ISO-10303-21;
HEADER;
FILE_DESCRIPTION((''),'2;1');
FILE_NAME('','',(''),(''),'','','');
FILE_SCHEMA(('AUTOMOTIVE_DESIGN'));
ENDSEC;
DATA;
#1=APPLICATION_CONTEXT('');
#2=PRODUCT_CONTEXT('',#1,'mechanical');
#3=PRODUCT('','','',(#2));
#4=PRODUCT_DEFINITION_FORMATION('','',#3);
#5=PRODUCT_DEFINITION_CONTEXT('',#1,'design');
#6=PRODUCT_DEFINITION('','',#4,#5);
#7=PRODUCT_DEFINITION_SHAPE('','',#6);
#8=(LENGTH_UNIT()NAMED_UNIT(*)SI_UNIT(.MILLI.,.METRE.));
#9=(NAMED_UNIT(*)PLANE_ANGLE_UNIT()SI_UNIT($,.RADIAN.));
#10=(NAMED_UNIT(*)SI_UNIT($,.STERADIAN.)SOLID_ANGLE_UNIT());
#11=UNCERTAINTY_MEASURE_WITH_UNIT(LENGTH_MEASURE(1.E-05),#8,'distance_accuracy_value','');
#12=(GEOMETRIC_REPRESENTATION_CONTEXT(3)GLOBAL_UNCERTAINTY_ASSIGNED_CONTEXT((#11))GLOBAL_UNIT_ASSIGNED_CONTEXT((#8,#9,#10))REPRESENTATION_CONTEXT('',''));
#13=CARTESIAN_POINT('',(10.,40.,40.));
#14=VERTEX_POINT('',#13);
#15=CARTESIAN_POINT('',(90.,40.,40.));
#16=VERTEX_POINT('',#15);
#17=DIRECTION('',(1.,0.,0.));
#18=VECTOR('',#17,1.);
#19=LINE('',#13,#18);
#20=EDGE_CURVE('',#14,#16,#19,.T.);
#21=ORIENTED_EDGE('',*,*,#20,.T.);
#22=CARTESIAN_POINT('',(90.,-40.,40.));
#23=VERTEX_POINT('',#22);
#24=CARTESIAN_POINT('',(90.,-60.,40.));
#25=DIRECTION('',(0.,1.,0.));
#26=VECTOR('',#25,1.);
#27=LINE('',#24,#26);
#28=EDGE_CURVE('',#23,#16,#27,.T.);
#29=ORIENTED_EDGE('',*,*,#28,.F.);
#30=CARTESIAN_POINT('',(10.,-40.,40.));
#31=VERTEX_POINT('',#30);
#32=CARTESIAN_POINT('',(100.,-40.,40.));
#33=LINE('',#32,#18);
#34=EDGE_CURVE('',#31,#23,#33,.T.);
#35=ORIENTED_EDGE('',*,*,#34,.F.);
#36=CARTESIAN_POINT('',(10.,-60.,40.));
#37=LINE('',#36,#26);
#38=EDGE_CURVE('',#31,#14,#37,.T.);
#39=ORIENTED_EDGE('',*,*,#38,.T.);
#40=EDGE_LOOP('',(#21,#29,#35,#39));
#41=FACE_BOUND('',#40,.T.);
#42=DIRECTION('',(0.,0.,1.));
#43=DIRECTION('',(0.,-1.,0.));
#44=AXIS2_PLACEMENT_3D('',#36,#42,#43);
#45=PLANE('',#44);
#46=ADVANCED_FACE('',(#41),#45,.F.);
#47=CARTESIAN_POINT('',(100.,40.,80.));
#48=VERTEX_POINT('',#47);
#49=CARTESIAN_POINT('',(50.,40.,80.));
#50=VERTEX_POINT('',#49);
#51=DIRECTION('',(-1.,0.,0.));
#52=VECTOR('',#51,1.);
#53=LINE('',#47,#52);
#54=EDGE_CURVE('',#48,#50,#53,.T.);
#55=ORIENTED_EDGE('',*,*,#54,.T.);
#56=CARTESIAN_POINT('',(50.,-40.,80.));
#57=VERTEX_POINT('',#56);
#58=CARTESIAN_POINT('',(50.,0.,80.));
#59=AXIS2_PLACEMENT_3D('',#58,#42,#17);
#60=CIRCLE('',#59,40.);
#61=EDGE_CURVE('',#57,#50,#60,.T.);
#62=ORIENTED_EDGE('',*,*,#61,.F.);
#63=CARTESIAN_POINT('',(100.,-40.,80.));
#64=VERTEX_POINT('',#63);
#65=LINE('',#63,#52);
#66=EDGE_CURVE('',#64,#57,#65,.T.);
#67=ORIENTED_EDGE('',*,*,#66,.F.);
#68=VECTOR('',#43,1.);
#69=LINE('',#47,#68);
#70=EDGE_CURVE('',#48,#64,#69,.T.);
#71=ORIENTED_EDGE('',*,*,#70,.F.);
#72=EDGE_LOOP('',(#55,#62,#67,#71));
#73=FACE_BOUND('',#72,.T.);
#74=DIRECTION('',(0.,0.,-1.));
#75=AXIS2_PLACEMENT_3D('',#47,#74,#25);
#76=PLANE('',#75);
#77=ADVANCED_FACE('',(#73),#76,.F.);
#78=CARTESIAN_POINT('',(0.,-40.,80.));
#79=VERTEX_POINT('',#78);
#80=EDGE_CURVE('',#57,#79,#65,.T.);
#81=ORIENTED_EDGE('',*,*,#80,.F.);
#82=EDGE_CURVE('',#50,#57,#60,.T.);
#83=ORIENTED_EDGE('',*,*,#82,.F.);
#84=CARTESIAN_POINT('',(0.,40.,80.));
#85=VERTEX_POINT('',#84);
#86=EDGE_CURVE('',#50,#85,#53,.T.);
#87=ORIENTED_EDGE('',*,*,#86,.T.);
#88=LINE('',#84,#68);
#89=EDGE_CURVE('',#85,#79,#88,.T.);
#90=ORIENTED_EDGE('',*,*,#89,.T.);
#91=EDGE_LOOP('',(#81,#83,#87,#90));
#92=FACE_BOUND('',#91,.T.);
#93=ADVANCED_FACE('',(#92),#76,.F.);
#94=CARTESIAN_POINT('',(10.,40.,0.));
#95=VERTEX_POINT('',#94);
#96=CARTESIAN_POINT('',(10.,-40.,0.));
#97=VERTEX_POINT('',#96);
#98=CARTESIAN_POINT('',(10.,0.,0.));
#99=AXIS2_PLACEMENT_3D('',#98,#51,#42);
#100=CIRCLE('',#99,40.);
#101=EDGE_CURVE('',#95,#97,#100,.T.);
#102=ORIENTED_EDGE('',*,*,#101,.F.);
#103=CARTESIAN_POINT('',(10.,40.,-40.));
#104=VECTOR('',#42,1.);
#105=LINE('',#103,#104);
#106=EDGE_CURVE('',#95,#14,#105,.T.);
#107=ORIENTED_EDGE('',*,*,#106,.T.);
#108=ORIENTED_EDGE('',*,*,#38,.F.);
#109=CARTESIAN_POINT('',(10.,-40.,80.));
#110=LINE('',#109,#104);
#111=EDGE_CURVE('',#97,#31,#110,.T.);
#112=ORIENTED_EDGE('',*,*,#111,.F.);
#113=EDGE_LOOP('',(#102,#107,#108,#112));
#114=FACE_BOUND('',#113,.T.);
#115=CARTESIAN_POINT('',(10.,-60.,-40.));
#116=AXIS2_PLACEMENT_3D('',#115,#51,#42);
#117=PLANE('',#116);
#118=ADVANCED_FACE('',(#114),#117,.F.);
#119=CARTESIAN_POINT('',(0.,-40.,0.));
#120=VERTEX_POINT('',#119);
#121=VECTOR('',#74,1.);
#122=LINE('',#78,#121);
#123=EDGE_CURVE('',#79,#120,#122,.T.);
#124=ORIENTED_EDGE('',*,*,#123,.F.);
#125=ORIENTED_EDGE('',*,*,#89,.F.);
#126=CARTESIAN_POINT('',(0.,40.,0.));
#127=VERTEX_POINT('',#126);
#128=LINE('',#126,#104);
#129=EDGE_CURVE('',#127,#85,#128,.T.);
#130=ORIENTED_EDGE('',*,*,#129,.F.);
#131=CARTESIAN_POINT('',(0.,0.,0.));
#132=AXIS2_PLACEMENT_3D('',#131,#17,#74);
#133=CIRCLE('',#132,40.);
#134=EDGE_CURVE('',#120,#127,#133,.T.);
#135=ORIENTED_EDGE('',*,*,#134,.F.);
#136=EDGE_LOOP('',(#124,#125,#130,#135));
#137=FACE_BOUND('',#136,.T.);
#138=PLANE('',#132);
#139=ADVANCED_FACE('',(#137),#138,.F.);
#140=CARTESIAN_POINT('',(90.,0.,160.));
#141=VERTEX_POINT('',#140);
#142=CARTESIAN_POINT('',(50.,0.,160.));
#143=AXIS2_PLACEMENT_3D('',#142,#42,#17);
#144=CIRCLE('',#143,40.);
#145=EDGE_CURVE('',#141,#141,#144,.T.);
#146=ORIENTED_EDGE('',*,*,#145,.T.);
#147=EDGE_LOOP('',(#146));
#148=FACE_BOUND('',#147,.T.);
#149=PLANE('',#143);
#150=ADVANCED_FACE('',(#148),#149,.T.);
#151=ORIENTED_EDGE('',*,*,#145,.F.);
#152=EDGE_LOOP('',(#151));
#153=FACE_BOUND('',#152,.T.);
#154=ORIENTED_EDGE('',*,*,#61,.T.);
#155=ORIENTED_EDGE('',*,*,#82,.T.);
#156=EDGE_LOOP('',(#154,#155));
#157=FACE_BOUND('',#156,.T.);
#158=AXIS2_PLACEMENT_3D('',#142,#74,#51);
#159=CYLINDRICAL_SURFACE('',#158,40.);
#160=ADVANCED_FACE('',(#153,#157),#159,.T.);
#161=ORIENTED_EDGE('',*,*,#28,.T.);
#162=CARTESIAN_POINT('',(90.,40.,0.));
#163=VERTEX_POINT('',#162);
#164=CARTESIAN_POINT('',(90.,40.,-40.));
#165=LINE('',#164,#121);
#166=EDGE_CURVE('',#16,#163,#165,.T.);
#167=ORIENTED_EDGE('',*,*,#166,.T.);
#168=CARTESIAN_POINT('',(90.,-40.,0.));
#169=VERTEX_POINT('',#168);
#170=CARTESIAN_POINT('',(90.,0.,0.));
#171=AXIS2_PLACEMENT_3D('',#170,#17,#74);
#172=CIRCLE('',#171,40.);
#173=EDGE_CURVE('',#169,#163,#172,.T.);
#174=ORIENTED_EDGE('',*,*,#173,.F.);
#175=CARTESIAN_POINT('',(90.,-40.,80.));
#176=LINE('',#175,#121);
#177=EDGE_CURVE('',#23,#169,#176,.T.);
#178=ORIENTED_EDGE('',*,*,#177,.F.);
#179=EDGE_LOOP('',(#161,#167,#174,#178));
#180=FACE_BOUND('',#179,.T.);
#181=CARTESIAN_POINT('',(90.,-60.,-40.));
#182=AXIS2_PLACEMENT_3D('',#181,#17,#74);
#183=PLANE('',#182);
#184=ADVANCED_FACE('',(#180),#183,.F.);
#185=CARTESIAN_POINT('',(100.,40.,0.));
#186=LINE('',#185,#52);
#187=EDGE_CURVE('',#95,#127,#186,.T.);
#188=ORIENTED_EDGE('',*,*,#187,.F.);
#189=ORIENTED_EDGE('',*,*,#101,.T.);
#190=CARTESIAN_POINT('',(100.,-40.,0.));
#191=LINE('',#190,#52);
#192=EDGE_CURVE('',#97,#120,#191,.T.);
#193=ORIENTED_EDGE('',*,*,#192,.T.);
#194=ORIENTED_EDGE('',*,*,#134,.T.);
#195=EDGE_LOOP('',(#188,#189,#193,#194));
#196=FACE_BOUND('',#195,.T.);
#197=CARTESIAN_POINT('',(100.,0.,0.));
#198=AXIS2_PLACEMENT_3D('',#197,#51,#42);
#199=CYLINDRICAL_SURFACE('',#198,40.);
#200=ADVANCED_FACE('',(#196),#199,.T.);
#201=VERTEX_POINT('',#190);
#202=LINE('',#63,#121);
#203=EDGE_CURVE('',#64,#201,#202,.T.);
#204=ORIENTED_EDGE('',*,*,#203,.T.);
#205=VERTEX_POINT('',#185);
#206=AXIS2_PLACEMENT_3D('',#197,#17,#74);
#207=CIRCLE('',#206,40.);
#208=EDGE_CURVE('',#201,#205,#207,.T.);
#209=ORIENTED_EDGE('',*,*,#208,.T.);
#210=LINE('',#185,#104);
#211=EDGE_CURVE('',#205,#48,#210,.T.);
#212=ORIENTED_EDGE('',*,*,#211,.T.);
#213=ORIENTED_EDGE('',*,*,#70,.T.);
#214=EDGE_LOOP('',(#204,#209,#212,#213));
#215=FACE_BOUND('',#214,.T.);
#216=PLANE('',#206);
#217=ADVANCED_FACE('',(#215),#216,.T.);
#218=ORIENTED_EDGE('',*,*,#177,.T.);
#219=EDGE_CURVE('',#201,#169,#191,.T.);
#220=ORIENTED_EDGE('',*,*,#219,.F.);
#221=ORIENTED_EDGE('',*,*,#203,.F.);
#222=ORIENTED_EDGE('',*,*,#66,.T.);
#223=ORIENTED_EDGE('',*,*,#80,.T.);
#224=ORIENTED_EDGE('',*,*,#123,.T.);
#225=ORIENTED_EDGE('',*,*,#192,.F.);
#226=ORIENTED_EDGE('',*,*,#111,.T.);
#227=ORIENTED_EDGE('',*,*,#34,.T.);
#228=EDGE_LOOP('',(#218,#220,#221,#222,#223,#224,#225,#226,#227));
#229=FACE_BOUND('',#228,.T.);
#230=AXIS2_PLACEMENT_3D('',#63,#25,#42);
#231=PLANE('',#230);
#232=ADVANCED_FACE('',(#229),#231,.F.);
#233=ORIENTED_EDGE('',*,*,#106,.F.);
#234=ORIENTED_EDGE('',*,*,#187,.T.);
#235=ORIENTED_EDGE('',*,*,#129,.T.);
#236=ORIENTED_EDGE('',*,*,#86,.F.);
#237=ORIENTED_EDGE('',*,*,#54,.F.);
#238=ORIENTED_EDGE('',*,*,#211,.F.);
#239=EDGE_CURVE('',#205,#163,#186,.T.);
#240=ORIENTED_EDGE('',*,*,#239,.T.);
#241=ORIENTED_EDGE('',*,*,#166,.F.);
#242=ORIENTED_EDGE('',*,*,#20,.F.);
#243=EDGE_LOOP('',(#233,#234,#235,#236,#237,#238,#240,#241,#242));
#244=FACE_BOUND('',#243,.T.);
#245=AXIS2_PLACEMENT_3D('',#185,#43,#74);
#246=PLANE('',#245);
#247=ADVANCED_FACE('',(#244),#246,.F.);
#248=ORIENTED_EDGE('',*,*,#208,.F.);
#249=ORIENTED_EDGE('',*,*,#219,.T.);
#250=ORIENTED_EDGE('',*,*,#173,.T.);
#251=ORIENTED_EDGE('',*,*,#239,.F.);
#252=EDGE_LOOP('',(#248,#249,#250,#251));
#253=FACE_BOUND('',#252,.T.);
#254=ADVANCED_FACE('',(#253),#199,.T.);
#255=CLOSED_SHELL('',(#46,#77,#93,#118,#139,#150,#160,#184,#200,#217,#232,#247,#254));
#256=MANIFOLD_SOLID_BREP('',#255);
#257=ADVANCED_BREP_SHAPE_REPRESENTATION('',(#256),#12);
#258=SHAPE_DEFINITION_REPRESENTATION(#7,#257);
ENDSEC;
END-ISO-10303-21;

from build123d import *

# Parameters (mm, degrees)
BOSS_EXTRUDE1_DEPTH = 100
SKETCH2_W           = 80
SKETCH2_H           = 80
CUT_EXTRUDE1_DEPTH  = 100
SKETCH3_R           = 40
BOSS_EXTRUDE2_DEPTH = 80


with BuildPart() as part:
    # Sketch1 → Boss-Extrude1 (new body)
    with BuildSketch(Plane(origin=(0, 0, 0), x_dir=(0, 0, -1), z_dir=(1, 0, 0))):
        with BuildLine():
            Line((0, 40), (-80, 40))
            Line((-80, 40), (-80, -40))
            Line((-80, -40), (0, -40))
            ThreePointArc((0, -40), (40, 0), (0, 40))
        make_face()
    extrude(amount=BOSS_EXTRUDE1_DEPTH)

    # Sketch2 → Cut-Extrude1 (cut)
    with BuildSketch(Plane(origin=(0, 40, 0), x_dir=(1, 0, 0), z_dir=(0, 1, 0))):
        with Locations((50, 0)):
            Rectangle(SKETCH2_W, SKETCH2_H)
    extrude(amount=-CUT_EXTRUDE1_DEPTH, mode=Mode.SUBTRACT)

    # Sketch3 → Boss-Extrude2 (add)
    with BuildSketch(Plane.XY.offset(80)):
        with Locations(Location((50, 0, 0), (0, 0, 270))):
            Circle(SKETCH3_R)
    extrude(amount=BOSS_EXTRUDE2_DEPTH)


solid = part.part
